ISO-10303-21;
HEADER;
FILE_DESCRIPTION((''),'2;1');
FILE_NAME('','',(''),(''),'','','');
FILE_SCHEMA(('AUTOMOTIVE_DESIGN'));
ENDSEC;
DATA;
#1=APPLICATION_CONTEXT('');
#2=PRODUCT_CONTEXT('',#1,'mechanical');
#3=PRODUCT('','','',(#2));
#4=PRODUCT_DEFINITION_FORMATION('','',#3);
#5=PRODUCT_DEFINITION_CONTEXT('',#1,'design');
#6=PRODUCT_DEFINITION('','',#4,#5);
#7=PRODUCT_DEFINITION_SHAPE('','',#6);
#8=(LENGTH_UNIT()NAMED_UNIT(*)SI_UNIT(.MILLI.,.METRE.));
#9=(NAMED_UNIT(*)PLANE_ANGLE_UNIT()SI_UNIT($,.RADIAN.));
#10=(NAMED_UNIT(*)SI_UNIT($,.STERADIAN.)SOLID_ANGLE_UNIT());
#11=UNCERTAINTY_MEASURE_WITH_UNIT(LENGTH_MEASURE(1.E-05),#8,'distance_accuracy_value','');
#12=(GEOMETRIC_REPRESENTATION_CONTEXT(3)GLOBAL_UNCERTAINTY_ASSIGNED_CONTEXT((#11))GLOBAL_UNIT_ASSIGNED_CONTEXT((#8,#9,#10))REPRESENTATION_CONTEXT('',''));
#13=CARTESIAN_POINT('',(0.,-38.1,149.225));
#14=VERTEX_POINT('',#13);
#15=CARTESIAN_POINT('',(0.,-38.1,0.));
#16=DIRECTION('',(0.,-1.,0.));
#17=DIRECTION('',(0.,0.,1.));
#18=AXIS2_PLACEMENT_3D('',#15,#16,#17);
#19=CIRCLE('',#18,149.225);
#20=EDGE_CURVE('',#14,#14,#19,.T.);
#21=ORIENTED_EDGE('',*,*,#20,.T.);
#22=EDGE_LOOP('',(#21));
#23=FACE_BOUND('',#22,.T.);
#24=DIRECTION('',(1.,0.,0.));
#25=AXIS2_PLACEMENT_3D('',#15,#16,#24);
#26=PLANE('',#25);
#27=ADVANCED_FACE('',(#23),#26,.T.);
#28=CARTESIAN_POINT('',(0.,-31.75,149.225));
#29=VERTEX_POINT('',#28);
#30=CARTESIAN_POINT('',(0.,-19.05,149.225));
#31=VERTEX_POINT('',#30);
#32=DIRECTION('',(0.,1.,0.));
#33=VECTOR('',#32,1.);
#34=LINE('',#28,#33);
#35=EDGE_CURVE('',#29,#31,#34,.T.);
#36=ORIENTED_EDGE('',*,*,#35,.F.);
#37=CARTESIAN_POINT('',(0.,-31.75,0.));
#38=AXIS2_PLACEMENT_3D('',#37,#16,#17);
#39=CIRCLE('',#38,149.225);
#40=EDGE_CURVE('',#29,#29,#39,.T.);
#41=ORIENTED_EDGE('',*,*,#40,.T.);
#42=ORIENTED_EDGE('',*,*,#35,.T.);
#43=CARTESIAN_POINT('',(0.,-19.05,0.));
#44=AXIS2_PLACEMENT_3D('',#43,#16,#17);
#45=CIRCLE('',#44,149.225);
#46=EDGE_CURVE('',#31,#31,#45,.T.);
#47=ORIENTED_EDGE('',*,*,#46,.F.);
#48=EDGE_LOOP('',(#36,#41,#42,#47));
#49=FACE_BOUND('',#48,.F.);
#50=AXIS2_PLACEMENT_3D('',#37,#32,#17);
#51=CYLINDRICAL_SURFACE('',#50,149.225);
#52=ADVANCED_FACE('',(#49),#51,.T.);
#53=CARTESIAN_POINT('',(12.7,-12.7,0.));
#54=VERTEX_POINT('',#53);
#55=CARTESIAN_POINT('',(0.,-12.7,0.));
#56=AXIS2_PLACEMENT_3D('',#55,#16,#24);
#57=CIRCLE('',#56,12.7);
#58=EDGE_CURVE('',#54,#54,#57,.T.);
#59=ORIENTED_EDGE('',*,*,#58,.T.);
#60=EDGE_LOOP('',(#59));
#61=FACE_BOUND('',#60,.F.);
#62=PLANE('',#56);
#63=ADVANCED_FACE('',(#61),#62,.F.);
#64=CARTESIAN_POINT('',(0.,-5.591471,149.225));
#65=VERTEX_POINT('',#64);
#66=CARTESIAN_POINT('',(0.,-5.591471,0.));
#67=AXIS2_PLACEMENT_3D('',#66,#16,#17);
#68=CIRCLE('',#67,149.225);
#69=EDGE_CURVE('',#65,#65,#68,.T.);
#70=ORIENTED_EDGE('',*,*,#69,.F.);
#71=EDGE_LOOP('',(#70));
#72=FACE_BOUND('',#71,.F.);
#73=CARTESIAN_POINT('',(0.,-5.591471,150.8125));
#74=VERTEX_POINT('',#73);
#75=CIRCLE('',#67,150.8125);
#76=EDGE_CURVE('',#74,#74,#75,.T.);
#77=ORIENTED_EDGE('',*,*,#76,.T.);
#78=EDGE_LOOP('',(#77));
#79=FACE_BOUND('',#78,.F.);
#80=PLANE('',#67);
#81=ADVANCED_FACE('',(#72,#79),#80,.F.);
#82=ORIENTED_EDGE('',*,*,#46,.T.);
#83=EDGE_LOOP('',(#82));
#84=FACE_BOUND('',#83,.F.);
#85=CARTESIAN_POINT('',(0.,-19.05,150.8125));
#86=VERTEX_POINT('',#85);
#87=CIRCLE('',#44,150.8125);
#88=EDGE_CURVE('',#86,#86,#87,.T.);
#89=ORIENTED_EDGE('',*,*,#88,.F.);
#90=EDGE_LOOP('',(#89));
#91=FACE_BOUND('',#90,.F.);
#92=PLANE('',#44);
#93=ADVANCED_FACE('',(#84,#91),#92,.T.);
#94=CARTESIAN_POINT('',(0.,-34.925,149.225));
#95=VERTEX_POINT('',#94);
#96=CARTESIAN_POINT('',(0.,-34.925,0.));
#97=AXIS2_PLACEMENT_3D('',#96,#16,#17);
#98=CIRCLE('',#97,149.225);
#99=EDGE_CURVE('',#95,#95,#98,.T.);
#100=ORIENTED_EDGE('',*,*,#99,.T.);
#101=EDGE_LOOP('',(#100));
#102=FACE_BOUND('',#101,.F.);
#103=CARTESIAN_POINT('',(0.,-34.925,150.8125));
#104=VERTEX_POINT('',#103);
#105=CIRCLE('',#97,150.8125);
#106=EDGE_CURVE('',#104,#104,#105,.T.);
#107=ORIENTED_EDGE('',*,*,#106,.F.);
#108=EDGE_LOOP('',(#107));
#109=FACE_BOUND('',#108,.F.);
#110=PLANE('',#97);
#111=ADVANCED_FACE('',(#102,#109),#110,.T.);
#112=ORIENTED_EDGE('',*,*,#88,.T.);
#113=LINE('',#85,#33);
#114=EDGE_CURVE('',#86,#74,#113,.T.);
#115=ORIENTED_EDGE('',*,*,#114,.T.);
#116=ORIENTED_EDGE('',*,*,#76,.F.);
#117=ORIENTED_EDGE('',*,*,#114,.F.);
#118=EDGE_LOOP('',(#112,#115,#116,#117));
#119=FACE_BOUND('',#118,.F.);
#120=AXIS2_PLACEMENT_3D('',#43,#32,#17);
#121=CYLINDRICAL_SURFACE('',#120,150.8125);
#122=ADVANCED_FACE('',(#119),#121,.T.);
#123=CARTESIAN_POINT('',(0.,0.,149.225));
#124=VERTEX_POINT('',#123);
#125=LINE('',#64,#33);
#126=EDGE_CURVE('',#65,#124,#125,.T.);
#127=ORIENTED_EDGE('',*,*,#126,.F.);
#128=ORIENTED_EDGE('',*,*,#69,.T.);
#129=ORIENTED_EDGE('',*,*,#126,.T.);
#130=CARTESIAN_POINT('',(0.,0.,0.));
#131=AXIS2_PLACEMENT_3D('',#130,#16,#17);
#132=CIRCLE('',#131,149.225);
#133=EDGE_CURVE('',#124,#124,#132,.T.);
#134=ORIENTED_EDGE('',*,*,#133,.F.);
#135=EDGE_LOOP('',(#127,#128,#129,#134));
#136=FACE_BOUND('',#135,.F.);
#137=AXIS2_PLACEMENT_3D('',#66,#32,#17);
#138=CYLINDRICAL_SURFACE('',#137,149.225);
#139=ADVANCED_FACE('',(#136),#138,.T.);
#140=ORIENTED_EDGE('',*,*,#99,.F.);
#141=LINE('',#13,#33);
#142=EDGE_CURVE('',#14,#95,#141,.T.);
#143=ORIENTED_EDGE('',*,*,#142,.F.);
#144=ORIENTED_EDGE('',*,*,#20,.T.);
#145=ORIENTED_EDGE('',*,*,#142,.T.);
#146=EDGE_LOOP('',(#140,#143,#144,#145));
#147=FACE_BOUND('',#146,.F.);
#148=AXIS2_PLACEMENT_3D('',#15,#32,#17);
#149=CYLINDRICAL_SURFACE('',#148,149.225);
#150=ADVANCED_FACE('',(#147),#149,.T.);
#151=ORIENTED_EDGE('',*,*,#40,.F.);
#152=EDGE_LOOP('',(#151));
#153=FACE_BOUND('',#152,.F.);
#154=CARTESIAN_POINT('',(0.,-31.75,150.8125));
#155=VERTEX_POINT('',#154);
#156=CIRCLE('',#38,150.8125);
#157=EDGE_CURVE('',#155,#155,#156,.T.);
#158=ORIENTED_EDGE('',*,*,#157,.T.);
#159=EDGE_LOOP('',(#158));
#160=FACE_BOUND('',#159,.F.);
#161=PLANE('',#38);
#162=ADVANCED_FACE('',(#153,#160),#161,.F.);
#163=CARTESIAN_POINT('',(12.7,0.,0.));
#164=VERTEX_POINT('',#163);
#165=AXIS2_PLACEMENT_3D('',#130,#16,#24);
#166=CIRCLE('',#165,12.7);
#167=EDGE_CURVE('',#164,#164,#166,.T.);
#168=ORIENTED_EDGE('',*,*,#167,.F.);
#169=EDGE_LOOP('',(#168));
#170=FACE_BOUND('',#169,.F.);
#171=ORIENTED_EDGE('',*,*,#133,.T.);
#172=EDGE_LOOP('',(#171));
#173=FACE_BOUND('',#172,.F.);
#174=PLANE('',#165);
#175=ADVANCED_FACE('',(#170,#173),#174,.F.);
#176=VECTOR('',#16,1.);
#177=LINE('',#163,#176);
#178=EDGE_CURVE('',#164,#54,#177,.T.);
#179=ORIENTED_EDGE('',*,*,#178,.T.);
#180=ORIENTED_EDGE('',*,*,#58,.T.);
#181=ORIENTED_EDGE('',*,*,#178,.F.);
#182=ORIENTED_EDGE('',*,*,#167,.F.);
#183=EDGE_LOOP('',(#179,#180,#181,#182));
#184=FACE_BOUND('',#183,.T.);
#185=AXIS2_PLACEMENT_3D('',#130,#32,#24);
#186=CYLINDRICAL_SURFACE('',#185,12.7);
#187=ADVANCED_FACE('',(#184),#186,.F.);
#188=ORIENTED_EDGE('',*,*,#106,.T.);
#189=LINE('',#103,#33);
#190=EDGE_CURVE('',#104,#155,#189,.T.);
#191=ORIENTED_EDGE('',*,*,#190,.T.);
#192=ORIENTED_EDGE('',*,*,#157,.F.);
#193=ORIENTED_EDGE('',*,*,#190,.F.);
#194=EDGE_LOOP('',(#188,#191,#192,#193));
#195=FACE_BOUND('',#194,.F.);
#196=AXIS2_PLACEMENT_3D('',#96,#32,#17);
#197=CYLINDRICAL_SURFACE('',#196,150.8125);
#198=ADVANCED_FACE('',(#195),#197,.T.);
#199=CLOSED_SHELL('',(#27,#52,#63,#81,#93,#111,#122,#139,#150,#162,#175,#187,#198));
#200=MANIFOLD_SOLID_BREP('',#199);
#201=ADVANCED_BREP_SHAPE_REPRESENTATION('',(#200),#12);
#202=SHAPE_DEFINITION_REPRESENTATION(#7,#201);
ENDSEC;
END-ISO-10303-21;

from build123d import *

# Parameters (mm, degrees)
F0_R     = 152.4
F1_DEPTH = 38.1
F4_R     = 12.7
F5_DEPTH = 12.7


with BuildPart() as f1:
    # F0 (on Front) → F1 (new body)
    with BuildSketch(Plane.XZ):
        Circle(F0_R)
    extrude(amount=F1_DEPTH)

    # F2 (on Right) → F3 (revolve, cut)
    with BuildSketch(Plane.YZ):
        Polygon((-38.1, 152.908), (-38.1, 149.225), (-34.925, 149.225), (-34.925, 150.8125), (-31.75, 150.8125), (-31.75, 149.225), (-19.05, 149.225), (-19.05, 150.8125), (-5.591471, 150.8125), (-5.591471, 149.225), (0, 149.225), (0, 152.908), align=None)
    revolve(axis=Axis((0, -26.635785, 0), (0, -1, 0)), mode=Mode.SUBTRACT)

    # F4 (on face) → F5 (cut)
    with BuildSketch(Plane.XZ):
        Circle(F4_R)
    extrude(amount=F5_DEPTH, mode=Mode.SUBTRACT)


solid = f1.part
